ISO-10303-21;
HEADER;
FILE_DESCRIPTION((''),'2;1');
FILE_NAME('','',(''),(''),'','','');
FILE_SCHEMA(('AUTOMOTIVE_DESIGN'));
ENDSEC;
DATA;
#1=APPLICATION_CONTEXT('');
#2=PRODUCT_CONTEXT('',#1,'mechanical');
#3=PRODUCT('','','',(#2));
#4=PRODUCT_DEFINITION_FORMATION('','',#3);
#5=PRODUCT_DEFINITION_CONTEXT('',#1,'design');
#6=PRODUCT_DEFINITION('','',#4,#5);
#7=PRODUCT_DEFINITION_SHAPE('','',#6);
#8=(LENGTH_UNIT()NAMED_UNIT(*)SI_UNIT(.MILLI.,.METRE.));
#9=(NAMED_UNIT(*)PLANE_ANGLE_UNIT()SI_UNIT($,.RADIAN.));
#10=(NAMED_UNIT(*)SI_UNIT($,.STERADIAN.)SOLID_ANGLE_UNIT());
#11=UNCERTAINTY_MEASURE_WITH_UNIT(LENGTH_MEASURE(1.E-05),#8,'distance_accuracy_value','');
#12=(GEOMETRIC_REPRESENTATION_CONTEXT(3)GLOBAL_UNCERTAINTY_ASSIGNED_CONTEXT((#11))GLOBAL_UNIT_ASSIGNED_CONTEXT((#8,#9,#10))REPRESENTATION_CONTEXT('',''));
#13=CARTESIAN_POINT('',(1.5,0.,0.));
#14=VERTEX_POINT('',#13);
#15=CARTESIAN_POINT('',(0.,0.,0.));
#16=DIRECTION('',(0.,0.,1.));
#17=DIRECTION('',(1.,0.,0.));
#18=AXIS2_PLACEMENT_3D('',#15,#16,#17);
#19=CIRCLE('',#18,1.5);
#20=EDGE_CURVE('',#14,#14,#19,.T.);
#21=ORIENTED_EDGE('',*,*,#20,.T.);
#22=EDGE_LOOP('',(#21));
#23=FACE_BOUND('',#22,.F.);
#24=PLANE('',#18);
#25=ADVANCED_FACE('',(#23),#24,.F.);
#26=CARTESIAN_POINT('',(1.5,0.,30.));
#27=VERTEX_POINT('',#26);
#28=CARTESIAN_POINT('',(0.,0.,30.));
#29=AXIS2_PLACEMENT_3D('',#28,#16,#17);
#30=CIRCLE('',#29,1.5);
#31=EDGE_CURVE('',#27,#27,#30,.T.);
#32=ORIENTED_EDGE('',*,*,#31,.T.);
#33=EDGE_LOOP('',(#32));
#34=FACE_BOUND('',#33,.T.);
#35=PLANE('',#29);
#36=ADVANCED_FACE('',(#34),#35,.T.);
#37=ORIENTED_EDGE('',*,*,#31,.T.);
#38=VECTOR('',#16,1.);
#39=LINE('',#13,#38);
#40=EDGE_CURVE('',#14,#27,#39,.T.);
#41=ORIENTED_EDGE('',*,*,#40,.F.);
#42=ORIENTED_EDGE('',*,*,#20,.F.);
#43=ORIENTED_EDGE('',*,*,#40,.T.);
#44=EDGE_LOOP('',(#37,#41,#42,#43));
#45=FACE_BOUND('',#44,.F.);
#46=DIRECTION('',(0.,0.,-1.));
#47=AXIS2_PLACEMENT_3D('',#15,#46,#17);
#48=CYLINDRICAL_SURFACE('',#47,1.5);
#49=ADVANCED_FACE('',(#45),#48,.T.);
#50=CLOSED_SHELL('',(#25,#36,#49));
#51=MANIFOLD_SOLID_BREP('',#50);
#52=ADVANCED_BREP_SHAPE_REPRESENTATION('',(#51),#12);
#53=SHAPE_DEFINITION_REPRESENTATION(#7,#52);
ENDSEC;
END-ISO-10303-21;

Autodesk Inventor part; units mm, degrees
ref_plane "YZ Plane" through (0, 0, 0) normal (1, 0, 0) x (0, 1, 0)
ref_plane "XZ Plane" through (0, 0, 0) normal (0, 1, 0) x (-1, 0, 0)
ref_plane "XY Plane" through (0, 0, 0) normal (0, 0, 1) x (1, 0, 0)
sketch "スケッチ1" plane through (0, 0, 0) normal (0, 0, 1) x (1, 0, 0)
  circle A0 centre (0, 0) radius 1.5
  dimension "d0" = 3
extrude "押し出し1" add sketch "スケッチ1" along normal blind 30
properties part number "ステンレス平行ピンΦ3h7_30"
